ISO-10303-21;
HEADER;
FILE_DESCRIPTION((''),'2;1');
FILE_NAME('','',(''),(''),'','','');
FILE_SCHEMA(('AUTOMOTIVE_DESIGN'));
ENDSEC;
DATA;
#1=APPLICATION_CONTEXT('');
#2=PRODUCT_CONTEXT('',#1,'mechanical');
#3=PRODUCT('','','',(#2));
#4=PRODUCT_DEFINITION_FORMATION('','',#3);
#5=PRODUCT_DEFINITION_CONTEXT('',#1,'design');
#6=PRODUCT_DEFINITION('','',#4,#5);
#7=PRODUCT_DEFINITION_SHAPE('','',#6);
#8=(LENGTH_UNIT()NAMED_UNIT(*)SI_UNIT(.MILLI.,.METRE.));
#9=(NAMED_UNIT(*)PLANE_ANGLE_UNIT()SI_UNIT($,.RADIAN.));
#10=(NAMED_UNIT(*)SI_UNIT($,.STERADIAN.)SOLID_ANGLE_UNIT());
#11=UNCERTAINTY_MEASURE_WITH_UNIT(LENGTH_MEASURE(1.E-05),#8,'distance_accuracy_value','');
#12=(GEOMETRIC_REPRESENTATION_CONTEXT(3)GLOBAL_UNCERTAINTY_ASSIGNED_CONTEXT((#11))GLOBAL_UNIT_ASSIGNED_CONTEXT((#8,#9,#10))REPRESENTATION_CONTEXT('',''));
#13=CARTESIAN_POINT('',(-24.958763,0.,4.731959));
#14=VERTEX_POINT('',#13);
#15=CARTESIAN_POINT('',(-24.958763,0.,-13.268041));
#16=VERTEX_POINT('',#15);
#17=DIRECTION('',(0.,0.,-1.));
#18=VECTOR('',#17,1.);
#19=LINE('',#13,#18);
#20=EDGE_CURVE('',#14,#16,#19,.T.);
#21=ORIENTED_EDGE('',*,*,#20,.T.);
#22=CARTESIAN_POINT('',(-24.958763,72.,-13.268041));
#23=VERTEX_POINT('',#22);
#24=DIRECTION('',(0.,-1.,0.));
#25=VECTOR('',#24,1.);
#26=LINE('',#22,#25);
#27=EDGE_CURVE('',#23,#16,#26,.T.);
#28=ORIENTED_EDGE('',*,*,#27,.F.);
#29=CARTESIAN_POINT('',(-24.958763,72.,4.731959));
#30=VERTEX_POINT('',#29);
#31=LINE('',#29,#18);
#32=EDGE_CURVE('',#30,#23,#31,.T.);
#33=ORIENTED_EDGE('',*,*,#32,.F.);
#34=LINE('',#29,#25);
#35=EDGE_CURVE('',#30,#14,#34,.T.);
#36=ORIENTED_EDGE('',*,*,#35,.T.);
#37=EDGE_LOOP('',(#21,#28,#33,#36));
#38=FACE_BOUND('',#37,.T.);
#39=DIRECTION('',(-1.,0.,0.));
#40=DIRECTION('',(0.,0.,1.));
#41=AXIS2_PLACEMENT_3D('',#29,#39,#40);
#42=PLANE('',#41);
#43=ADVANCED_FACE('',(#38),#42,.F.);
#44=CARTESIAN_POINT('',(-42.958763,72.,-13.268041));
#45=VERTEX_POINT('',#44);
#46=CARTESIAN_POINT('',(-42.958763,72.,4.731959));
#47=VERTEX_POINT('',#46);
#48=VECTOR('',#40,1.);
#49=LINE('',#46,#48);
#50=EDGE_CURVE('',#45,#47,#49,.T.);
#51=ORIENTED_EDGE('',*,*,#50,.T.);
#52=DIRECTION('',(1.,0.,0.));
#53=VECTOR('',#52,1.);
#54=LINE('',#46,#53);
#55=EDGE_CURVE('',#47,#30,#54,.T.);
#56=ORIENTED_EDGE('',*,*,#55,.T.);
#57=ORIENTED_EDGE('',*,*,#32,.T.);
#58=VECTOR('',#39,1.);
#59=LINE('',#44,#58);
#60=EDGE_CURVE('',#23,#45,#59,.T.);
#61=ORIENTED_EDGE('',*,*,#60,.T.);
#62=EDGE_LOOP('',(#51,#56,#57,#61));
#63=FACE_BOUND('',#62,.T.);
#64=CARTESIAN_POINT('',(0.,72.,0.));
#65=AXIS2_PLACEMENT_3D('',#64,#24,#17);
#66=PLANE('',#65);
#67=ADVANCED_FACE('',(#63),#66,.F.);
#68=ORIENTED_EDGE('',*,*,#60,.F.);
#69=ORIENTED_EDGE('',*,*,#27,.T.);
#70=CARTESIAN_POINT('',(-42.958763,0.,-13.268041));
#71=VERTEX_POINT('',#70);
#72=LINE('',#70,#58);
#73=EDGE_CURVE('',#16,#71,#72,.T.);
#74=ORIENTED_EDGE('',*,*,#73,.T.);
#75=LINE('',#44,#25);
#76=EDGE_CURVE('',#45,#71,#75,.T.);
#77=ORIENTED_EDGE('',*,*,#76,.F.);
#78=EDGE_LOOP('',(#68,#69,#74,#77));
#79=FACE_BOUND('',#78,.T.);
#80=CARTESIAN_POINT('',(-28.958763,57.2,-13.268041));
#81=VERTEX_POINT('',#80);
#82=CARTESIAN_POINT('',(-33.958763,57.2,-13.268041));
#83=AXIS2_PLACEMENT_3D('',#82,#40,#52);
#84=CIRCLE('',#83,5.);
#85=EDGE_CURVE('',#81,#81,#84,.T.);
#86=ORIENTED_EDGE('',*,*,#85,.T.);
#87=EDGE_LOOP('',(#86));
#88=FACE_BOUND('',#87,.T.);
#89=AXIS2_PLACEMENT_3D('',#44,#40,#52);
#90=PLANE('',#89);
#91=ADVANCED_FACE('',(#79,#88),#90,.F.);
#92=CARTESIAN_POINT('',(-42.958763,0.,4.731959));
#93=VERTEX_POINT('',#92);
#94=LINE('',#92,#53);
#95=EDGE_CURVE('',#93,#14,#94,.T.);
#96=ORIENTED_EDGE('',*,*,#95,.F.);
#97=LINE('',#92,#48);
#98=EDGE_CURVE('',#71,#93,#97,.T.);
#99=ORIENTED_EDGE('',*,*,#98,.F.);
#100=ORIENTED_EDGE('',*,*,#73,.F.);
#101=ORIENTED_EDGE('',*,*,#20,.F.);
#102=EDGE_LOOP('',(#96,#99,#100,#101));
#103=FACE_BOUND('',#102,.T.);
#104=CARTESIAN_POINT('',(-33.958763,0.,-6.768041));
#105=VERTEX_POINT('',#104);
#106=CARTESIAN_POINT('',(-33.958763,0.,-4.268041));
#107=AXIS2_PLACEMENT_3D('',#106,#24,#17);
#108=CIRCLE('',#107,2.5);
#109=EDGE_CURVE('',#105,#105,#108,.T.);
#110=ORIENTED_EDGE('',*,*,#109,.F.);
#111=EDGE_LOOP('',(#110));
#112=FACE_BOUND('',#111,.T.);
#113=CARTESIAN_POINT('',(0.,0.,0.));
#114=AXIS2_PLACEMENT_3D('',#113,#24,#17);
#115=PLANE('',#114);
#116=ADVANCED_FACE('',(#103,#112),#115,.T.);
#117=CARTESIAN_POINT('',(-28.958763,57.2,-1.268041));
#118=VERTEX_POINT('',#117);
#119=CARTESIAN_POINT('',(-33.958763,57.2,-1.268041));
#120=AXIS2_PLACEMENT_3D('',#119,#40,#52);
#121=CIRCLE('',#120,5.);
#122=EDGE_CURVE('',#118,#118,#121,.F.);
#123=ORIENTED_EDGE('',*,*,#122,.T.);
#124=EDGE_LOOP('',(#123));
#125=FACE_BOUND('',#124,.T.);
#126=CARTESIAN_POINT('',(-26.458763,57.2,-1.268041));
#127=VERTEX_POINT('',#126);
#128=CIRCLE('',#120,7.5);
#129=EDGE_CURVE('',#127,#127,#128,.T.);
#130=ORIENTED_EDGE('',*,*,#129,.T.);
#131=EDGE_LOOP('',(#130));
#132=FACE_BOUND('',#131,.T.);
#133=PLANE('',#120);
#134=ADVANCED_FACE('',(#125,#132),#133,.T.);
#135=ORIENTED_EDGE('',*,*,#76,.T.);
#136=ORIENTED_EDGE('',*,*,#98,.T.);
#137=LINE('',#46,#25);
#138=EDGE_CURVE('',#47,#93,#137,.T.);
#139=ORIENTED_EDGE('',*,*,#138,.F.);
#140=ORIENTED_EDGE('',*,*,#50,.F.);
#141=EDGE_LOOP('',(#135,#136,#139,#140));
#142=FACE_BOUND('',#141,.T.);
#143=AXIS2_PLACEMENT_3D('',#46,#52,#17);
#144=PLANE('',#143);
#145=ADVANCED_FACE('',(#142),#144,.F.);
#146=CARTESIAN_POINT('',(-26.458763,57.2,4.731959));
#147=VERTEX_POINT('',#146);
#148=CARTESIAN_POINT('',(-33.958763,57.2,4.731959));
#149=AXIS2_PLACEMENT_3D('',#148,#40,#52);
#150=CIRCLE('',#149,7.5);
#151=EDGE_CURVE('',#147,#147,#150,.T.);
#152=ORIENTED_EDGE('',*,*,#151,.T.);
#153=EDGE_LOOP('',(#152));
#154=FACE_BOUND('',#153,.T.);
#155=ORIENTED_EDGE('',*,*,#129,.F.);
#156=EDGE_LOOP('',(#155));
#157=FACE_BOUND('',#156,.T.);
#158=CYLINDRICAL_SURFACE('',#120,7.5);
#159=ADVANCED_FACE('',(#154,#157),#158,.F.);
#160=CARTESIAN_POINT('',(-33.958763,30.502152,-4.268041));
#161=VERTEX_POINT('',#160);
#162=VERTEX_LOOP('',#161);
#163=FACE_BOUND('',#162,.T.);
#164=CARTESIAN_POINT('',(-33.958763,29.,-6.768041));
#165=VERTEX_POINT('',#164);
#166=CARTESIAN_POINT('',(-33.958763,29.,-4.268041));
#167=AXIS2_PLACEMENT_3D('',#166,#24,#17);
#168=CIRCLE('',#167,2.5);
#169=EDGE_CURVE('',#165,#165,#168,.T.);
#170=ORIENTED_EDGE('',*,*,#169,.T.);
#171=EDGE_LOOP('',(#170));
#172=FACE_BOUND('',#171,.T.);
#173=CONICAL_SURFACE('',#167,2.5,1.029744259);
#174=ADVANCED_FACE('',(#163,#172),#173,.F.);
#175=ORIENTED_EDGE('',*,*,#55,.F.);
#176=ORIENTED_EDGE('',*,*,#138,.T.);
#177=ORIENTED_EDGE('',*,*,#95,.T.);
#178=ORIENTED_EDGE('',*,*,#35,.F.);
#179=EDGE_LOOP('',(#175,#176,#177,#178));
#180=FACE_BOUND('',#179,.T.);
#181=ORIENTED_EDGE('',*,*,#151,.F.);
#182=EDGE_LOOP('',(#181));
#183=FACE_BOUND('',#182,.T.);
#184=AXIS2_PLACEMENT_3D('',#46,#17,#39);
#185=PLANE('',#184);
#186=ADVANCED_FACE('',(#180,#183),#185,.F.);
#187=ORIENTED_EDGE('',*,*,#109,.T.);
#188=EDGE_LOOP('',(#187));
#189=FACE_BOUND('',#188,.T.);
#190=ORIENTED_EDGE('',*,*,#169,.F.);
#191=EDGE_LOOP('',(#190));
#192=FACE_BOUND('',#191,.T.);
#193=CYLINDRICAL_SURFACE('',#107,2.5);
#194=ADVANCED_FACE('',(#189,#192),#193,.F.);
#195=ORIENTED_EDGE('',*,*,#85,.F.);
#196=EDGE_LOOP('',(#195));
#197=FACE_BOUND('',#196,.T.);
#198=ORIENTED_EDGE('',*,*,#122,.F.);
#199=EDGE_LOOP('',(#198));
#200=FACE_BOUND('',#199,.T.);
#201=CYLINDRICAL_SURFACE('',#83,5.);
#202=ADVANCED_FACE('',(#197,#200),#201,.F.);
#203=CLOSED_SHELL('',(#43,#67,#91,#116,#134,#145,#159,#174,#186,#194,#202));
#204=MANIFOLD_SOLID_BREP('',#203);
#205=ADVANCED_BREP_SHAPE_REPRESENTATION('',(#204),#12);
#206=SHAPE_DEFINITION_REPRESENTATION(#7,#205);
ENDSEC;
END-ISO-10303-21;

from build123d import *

# Parameters (mm, degrees)
SKETCH1_W                 = 18
SKETCH1_H                 = 18
BOSS_EXTRUDE1_DEPTH       = 72
SKETCH2_R                 = 5
CUT_EXTRUDE1_DEPTH        = 19
M6X1_0_TAPPED_HOLE1_D     = 5
M6X1_0_TAPPED_HOLE1_DEPTH = 29
M6X1_0_TAPPED_HOLE1_TIP   = 1.502151548
SKETCH6_R                 = 7.5
CUT_EXTRUDE2_DEPTH        = 6


with BuildPart() as part:
    # Sketch1 → Boss-Extrude1 (new body)
    with BuildSketch(Plane(origin=(0, 0, 0), x_dir=(1, 0, 0), z_dir=(0, 1, 0))):
        with Locations((-33.958762887, 4.268041237)):
            Rectangle(SKETCH1_W, SKETCH1_H)
    extrude(amount=BOSS_EXTRUDE1_DEPTH)

    # Sketch2 → Cut-Extrude1 (cut, through all)
    with BuildSketch(Plane.XY.offset(4.731958763)):
        with Locations((-33.958762887, 57.2)):
            Circle(SKETCH2_R)
    extrude(amount=-CUT_EXTRUDE1_DEPTH, mode=Mode.SUBTRACT)

    # M6x1.0 Tapped Hole1
    with Locations(Plane(origin=(0, 0, 0), x_dir=(-1, 0, 0), z_dir=(0, -1, 0))):
        with Locations((33.958762887, 4.268041237)):
            Hole(M6X1_0_TAPPED_HOLE1_D / 2, depth=M6X1_0_TAPPED_HOLE1_DEPTH)
            with Locations((0, 0, -(M6X1_0_TAPPED_HOLE1_DEPTH + M6X1_0_TAPPED_HOLE1_TIP / 2))):  # 118° drill point
                Cone(0, M6X1_0_TAPPED_HOLE1_D / 2, M6X1_0_TAPPED_HOLE1_TIP, mode=Mode.SUBTRACT)

    # Sketch6 → Cut-Extrude2 (cut)
    with BuildSketch(Plane.XY.offset(4.731958763)):
        with Locations((-33.958762887, 57.2)):
            Circle(SKETCH6_R)
    extrude(amount=-CUT_EXTRUDE2_DEPTH, mode=Mode.SUBTRACT)


solid = part.part
